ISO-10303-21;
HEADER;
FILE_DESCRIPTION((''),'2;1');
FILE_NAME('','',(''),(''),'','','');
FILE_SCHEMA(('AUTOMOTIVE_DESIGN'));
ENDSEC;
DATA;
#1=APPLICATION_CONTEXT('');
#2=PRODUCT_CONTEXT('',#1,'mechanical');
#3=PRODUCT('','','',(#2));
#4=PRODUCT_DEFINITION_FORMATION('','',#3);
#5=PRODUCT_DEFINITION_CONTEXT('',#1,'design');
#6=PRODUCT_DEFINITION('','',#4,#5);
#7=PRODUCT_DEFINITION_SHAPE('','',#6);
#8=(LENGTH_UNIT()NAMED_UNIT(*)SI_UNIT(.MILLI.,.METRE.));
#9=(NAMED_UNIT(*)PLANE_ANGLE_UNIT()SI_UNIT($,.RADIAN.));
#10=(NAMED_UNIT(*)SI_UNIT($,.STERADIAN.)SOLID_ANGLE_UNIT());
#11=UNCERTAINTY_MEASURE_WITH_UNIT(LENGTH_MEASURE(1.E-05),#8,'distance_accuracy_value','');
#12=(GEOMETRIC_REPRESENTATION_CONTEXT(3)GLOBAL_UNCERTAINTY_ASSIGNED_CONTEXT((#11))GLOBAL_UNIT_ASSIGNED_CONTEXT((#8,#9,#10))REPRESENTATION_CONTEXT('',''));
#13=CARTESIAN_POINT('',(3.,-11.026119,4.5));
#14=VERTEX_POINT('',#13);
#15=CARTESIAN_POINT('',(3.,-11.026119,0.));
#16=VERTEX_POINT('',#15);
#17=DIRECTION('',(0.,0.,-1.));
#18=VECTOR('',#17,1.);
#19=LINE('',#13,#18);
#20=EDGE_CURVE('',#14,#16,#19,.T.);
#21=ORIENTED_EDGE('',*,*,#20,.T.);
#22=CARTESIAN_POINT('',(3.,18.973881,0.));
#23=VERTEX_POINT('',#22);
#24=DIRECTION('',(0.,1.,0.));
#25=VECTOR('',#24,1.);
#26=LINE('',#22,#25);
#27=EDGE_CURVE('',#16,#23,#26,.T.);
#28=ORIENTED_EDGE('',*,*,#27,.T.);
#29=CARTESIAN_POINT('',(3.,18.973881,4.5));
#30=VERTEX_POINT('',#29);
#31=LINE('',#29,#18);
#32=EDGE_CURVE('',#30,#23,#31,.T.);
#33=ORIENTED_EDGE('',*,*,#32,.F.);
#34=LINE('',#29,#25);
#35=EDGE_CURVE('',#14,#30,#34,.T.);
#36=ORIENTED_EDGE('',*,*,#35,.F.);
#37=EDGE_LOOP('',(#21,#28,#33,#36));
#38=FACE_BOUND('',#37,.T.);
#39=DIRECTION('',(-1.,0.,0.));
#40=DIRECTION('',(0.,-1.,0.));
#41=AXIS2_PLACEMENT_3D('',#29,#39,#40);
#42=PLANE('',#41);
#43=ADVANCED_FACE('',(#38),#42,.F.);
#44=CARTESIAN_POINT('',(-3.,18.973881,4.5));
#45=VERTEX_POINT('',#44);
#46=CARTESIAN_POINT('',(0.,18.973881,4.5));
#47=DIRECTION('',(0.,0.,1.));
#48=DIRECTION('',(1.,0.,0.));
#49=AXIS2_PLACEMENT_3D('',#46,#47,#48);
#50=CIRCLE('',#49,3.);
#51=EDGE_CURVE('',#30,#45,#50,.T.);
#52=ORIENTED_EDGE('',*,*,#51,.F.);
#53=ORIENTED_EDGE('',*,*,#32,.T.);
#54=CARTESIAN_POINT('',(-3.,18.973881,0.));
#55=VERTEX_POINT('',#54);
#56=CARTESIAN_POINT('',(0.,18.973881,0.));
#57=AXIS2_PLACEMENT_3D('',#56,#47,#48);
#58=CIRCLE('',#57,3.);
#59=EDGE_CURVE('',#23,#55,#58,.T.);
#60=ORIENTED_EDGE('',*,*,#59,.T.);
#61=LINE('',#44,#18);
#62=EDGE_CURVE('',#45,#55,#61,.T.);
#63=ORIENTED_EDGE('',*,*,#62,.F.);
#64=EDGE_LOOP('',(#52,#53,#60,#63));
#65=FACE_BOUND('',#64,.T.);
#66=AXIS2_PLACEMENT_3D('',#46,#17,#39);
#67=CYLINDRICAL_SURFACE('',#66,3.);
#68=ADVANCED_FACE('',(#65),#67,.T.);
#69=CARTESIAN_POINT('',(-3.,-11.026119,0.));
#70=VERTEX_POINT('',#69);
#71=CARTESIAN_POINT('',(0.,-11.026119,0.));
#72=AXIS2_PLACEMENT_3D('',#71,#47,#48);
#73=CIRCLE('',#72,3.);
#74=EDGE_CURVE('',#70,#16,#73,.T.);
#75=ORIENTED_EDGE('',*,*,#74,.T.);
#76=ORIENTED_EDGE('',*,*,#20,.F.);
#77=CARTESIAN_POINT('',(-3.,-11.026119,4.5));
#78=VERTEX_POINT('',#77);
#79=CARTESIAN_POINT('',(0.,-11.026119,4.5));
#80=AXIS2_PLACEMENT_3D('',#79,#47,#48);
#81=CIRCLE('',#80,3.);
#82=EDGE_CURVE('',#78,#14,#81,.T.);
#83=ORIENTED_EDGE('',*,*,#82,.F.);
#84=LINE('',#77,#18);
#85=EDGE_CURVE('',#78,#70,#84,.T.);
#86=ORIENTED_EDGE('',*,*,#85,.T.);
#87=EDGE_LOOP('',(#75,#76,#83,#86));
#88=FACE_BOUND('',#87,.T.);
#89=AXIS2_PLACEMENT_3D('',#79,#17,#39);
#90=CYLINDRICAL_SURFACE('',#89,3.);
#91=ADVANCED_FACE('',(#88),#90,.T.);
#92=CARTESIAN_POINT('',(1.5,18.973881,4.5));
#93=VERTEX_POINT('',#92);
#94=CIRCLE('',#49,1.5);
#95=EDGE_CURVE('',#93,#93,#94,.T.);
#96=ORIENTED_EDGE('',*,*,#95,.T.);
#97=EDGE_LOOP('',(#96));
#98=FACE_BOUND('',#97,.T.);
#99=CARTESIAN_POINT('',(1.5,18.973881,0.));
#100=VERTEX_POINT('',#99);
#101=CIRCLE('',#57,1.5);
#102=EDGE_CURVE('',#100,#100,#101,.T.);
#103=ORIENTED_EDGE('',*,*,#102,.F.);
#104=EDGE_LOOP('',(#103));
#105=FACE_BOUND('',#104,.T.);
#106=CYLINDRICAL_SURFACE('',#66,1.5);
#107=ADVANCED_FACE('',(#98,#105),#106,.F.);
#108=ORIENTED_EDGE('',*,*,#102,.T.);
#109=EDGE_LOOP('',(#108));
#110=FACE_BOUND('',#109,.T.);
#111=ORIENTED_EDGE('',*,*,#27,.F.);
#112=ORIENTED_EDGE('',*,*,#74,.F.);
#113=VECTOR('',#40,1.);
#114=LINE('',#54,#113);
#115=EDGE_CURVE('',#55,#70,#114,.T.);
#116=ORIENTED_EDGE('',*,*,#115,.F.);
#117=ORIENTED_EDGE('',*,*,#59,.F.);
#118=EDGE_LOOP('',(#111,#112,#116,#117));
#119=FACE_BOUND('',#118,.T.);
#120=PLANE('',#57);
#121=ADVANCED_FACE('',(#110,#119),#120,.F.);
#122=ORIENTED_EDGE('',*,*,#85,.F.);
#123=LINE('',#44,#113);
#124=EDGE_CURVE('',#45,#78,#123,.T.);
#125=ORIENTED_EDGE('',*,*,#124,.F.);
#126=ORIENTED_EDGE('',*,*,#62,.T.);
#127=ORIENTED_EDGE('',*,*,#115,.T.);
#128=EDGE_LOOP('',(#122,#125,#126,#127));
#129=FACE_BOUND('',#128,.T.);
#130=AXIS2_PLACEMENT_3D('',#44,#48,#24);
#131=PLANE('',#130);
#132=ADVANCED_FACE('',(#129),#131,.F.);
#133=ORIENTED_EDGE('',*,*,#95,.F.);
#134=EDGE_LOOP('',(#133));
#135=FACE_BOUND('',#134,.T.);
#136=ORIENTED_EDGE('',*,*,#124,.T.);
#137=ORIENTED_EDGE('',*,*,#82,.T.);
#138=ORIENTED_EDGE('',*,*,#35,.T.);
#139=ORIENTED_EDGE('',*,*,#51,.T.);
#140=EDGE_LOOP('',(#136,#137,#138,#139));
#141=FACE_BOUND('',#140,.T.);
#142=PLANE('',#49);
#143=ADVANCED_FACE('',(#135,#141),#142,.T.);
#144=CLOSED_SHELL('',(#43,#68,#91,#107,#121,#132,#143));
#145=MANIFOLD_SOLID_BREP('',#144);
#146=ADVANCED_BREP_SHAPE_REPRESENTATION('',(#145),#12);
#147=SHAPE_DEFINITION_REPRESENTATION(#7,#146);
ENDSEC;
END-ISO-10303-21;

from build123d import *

# Parameters (mm, degrees)
IZIM1_R                     = 1.5
Y_KSEKLIK_EKSTR_ZYON1_DEPTH = 4.5


with BuildPart() as part:
    # Çizim1 → Yükseklik-Ekstrüzyon1 (new body)
    with BuildSketch(Plane.XY):
        with BuildLine():
            Line((-3, 18.97388121), (-3, -11.02611879))
            ThreePointArc((-3, -11.02611879), (0, -14.02611879), (3, -11.02611879))
            Line((3, -11.02611879), (3, 18.97388121))
            ThreePointArc((3, 18.97388121), (0, 21.97388121), (-3, 18.97388121))
        make_face()
        with Locations((0, 18.97388121)):
            Circle(IZIM1_R, mode=Mode.SUBTRACT)
    extrude(amount=Y_KSEKLIK_EKSTR_ZYON1_DEPTH)


solid = part.part
